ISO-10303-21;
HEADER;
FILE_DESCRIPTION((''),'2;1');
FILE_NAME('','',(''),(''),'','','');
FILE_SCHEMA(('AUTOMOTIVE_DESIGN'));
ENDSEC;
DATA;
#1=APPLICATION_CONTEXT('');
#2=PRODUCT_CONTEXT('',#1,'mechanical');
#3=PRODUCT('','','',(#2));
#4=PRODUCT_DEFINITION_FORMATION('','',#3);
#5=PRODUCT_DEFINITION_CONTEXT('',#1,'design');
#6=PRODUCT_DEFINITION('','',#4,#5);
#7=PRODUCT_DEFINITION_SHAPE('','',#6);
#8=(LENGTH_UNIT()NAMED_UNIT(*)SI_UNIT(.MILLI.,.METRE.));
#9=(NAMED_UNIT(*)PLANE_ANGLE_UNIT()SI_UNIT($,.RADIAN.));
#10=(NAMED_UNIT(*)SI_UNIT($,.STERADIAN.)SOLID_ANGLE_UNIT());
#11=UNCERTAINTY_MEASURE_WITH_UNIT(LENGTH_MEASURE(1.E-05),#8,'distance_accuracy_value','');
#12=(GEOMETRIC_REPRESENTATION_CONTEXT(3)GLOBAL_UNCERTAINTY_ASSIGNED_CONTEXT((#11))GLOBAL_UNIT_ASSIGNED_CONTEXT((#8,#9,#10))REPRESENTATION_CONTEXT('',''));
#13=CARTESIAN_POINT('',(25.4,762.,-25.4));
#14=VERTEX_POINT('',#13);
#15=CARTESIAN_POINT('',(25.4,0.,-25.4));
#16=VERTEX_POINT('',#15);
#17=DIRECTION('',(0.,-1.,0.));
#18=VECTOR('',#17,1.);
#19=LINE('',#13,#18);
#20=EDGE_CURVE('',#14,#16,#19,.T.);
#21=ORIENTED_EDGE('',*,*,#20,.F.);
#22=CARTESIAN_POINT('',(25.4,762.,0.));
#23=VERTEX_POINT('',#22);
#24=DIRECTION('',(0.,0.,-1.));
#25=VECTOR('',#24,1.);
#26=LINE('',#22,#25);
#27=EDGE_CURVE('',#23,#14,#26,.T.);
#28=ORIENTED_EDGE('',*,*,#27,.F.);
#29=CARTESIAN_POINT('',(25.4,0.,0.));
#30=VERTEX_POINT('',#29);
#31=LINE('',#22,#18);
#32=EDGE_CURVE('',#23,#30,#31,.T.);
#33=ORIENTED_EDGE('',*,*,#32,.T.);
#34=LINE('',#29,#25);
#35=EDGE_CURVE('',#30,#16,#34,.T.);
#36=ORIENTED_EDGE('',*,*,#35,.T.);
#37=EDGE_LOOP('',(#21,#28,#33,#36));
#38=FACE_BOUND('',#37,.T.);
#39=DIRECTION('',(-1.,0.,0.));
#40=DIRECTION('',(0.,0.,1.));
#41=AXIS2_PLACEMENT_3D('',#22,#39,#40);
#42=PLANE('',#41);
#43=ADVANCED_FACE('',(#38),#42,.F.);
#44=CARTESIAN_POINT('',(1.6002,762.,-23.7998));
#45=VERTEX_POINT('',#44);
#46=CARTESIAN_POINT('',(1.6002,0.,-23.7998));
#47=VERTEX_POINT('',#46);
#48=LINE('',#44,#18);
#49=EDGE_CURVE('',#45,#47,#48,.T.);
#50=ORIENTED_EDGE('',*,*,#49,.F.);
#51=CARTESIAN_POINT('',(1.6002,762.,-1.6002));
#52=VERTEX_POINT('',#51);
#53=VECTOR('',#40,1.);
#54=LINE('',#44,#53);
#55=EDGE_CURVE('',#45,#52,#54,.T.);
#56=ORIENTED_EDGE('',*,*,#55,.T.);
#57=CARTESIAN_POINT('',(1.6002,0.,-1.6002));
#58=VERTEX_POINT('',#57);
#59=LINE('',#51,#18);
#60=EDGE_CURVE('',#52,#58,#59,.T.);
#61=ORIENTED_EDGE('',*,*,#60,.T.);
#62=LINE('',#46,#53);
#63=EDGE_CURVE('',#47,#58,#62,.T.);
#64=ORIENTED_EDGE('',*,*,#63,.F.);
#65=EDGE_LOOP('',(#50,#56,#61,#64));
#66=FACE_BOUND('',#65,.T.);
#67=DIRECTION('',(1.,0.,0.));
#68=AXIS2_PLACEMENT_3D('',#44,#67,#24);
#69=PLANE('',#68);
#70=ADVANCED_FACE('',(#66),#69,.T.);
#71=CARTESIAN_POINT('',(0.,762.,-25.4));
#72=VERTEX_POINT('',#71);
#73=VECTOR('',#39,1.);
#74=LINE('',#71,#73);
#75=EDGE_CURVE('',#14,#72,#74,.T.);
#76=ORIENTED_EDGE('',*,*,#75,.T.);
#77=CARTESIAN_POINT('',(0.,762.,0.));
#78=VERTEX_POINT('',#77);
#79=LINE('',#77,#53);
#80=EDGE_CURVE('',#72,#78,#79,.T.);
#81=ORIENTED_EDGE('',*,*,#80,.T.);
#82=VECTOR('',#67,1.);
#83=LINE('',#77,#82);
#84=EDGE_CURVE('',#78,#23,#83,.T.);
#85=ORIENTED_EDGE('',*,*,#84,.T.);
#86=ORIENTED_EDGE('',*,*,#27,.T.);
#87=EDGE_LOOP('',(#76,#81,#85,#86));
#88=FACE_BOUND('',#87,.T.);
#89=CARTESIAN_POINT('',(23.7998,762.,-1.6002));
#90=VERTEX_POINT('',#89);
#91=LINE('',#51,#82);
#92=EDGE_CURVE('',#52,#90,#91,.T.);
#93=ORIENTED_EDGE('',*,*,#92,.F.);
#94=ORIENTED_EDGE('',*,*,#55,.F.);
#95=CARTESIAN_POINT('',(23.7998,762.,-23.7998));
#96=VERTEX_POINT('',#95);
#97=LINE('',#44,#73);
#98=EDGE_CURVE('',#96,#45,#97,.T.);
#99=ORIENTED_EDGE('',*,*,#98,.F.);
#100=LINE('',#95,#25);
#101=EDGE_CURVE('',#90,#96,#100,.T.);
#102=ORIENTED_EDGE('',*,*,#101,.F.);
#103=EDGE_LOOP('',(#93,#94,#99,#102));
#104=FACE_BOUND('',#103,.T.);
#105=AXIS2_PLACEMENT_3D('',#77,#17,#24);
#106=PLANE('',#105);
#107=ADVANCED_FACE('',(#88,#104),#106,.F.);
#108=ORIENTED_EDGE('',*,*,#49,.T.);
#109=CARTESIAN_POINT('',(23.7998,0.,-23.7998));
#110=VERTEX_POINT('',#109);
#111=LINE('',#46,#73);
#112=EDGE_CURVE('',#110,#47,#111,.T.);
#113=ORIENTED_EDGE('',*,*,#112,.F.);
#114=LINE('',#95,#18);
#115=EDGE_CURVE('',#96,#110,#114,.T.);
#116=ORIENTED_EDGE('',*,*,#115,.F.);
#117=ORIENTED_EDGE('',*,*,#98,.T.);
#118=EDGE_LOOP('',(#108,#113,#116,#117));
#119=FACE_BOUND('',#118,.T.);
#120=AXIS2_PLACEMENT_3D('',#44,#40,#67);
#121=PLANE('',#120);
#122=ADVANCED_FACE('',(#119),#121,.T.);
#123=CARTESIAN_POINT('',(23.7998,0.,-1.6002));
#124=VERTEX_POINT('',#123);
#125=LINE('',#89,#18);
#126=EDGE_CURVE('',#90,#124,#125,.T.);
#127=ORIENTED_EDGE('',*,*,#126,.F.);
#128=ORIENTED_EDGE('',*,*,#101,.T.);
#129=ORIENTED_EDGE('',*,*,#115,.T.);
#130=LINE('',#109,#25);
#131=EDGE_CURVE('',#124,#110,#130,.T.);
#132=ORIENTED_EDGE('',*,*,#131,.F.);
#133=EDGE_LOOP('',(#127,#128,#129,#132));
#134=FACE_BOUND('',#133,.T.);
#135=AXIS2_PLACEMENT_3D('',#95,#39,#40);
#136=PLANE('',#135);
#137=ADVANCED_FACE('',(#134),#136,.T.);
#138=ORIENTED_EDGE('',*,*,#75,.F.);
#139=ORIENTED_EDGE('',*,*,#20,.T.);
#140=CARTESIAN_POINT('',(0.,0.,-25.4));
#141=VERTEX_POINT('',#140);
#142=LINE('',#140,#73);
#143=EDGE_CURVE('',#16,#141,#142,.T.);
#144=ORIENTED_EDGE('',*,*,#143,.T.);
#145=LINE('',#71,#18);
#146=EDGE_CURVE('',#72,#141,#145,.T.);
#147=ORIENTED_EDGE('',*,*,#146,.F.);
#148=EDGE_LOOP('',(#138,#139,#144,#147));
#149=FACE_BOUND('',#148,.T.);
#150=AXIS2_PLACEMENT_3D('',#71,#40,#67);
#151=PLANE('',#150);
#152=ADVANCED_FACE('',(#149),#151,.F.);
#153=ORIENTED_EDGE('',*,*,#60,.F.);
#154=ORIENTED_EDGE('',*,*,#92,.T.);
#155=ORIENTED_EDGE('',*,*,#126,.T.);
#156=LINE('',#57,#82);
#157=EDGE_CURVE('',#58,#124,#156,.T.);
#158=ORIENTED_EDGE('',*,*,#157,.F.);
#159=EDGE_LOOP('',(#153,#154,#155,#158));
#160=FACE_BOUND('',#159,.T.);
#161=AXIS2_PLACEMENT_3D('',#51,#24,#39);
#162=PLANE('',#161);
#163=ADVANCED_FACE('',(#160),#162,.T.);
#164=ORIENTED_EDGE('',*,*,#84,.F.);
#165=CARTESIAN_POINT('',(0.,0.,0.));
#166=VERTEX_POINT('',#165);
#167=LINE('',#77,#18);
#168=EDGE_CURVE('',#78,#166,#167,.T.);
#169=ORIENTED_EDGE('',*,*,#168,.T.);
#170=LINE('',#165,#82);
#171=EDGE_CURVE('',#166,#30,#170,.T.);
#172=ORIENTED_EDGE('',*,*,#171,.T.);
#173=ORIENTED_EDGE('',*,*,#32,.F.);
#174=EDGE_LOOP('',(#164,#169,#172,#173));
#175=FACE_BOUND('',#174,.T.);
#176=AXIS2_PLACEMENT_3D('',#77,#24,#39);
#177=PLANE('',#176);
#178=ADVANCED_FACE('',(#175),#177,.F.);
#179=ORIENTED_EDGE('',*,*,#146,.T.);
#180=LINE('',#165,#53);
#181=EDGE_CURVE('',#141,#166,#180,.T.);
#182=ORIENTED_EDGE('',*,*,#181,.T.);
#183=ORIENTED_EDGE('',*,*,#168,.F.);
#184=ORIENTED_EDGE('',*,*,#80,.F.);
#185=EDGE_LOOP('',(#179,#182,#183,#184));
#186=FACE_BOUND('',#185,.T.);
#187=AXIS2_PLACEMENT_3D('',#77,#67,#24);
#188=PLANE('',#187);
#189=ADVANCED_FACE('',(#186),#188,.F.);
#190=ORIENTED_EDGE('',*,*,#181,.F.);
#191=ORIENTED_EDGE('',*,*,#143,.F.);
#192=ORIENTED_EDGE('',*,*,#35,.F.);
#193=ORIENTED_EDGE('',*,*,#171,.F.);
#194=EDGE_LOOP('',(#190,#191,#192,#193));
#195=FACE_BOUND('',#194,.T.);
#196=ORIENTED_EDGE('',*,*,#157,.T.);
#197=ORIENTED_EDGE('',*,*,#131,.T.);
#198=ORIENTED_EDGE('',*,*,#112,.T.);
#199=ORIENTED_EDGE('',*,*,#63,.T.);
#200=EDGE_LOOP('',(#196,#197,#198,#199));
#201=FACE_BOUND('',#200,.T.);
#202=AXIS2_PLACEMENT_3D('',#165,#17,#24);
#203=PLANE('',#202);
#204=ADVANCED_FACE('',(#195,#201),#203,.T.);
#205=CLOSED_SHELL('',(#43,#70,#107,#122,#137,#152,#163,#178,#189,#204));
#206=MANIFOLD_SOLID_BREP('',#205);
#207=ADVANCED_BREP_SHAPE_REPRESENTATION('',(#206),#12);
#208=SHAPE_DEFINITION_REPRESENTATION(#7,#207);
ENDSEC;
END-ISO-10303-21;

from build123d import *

# Parameters (mm, degrees)
SKETCH1_W           = 25.4
SKETCH1_H           = 25.4
SKETCH1_W_2         = 22.1996
SKETCH1_H_2         = 22.1996
BOSS_EXTRUDE1_DEPTH = 762


with BuildPart() as part:
    # Sketch1 → Boss-Extrude1 (new body)
    with BuildSketch(Plane(origin=(0, 0, 0), x_dir=(1, 0, 0), z_dir=(0, 1, 0))):
        with Locations((12.7, 12.7)):
            Rectangle(SKETCH1_W, SKETCH1_H)
        with Locations((12.7, 12.7)):
            Rectangle(SKETCH1_W_2, SKETCH1_H_2, mode=Mode.SUBTRACT)
    extrude(amount=BOSS_EXTRUDE1_DEPTH)


solid = part.part
